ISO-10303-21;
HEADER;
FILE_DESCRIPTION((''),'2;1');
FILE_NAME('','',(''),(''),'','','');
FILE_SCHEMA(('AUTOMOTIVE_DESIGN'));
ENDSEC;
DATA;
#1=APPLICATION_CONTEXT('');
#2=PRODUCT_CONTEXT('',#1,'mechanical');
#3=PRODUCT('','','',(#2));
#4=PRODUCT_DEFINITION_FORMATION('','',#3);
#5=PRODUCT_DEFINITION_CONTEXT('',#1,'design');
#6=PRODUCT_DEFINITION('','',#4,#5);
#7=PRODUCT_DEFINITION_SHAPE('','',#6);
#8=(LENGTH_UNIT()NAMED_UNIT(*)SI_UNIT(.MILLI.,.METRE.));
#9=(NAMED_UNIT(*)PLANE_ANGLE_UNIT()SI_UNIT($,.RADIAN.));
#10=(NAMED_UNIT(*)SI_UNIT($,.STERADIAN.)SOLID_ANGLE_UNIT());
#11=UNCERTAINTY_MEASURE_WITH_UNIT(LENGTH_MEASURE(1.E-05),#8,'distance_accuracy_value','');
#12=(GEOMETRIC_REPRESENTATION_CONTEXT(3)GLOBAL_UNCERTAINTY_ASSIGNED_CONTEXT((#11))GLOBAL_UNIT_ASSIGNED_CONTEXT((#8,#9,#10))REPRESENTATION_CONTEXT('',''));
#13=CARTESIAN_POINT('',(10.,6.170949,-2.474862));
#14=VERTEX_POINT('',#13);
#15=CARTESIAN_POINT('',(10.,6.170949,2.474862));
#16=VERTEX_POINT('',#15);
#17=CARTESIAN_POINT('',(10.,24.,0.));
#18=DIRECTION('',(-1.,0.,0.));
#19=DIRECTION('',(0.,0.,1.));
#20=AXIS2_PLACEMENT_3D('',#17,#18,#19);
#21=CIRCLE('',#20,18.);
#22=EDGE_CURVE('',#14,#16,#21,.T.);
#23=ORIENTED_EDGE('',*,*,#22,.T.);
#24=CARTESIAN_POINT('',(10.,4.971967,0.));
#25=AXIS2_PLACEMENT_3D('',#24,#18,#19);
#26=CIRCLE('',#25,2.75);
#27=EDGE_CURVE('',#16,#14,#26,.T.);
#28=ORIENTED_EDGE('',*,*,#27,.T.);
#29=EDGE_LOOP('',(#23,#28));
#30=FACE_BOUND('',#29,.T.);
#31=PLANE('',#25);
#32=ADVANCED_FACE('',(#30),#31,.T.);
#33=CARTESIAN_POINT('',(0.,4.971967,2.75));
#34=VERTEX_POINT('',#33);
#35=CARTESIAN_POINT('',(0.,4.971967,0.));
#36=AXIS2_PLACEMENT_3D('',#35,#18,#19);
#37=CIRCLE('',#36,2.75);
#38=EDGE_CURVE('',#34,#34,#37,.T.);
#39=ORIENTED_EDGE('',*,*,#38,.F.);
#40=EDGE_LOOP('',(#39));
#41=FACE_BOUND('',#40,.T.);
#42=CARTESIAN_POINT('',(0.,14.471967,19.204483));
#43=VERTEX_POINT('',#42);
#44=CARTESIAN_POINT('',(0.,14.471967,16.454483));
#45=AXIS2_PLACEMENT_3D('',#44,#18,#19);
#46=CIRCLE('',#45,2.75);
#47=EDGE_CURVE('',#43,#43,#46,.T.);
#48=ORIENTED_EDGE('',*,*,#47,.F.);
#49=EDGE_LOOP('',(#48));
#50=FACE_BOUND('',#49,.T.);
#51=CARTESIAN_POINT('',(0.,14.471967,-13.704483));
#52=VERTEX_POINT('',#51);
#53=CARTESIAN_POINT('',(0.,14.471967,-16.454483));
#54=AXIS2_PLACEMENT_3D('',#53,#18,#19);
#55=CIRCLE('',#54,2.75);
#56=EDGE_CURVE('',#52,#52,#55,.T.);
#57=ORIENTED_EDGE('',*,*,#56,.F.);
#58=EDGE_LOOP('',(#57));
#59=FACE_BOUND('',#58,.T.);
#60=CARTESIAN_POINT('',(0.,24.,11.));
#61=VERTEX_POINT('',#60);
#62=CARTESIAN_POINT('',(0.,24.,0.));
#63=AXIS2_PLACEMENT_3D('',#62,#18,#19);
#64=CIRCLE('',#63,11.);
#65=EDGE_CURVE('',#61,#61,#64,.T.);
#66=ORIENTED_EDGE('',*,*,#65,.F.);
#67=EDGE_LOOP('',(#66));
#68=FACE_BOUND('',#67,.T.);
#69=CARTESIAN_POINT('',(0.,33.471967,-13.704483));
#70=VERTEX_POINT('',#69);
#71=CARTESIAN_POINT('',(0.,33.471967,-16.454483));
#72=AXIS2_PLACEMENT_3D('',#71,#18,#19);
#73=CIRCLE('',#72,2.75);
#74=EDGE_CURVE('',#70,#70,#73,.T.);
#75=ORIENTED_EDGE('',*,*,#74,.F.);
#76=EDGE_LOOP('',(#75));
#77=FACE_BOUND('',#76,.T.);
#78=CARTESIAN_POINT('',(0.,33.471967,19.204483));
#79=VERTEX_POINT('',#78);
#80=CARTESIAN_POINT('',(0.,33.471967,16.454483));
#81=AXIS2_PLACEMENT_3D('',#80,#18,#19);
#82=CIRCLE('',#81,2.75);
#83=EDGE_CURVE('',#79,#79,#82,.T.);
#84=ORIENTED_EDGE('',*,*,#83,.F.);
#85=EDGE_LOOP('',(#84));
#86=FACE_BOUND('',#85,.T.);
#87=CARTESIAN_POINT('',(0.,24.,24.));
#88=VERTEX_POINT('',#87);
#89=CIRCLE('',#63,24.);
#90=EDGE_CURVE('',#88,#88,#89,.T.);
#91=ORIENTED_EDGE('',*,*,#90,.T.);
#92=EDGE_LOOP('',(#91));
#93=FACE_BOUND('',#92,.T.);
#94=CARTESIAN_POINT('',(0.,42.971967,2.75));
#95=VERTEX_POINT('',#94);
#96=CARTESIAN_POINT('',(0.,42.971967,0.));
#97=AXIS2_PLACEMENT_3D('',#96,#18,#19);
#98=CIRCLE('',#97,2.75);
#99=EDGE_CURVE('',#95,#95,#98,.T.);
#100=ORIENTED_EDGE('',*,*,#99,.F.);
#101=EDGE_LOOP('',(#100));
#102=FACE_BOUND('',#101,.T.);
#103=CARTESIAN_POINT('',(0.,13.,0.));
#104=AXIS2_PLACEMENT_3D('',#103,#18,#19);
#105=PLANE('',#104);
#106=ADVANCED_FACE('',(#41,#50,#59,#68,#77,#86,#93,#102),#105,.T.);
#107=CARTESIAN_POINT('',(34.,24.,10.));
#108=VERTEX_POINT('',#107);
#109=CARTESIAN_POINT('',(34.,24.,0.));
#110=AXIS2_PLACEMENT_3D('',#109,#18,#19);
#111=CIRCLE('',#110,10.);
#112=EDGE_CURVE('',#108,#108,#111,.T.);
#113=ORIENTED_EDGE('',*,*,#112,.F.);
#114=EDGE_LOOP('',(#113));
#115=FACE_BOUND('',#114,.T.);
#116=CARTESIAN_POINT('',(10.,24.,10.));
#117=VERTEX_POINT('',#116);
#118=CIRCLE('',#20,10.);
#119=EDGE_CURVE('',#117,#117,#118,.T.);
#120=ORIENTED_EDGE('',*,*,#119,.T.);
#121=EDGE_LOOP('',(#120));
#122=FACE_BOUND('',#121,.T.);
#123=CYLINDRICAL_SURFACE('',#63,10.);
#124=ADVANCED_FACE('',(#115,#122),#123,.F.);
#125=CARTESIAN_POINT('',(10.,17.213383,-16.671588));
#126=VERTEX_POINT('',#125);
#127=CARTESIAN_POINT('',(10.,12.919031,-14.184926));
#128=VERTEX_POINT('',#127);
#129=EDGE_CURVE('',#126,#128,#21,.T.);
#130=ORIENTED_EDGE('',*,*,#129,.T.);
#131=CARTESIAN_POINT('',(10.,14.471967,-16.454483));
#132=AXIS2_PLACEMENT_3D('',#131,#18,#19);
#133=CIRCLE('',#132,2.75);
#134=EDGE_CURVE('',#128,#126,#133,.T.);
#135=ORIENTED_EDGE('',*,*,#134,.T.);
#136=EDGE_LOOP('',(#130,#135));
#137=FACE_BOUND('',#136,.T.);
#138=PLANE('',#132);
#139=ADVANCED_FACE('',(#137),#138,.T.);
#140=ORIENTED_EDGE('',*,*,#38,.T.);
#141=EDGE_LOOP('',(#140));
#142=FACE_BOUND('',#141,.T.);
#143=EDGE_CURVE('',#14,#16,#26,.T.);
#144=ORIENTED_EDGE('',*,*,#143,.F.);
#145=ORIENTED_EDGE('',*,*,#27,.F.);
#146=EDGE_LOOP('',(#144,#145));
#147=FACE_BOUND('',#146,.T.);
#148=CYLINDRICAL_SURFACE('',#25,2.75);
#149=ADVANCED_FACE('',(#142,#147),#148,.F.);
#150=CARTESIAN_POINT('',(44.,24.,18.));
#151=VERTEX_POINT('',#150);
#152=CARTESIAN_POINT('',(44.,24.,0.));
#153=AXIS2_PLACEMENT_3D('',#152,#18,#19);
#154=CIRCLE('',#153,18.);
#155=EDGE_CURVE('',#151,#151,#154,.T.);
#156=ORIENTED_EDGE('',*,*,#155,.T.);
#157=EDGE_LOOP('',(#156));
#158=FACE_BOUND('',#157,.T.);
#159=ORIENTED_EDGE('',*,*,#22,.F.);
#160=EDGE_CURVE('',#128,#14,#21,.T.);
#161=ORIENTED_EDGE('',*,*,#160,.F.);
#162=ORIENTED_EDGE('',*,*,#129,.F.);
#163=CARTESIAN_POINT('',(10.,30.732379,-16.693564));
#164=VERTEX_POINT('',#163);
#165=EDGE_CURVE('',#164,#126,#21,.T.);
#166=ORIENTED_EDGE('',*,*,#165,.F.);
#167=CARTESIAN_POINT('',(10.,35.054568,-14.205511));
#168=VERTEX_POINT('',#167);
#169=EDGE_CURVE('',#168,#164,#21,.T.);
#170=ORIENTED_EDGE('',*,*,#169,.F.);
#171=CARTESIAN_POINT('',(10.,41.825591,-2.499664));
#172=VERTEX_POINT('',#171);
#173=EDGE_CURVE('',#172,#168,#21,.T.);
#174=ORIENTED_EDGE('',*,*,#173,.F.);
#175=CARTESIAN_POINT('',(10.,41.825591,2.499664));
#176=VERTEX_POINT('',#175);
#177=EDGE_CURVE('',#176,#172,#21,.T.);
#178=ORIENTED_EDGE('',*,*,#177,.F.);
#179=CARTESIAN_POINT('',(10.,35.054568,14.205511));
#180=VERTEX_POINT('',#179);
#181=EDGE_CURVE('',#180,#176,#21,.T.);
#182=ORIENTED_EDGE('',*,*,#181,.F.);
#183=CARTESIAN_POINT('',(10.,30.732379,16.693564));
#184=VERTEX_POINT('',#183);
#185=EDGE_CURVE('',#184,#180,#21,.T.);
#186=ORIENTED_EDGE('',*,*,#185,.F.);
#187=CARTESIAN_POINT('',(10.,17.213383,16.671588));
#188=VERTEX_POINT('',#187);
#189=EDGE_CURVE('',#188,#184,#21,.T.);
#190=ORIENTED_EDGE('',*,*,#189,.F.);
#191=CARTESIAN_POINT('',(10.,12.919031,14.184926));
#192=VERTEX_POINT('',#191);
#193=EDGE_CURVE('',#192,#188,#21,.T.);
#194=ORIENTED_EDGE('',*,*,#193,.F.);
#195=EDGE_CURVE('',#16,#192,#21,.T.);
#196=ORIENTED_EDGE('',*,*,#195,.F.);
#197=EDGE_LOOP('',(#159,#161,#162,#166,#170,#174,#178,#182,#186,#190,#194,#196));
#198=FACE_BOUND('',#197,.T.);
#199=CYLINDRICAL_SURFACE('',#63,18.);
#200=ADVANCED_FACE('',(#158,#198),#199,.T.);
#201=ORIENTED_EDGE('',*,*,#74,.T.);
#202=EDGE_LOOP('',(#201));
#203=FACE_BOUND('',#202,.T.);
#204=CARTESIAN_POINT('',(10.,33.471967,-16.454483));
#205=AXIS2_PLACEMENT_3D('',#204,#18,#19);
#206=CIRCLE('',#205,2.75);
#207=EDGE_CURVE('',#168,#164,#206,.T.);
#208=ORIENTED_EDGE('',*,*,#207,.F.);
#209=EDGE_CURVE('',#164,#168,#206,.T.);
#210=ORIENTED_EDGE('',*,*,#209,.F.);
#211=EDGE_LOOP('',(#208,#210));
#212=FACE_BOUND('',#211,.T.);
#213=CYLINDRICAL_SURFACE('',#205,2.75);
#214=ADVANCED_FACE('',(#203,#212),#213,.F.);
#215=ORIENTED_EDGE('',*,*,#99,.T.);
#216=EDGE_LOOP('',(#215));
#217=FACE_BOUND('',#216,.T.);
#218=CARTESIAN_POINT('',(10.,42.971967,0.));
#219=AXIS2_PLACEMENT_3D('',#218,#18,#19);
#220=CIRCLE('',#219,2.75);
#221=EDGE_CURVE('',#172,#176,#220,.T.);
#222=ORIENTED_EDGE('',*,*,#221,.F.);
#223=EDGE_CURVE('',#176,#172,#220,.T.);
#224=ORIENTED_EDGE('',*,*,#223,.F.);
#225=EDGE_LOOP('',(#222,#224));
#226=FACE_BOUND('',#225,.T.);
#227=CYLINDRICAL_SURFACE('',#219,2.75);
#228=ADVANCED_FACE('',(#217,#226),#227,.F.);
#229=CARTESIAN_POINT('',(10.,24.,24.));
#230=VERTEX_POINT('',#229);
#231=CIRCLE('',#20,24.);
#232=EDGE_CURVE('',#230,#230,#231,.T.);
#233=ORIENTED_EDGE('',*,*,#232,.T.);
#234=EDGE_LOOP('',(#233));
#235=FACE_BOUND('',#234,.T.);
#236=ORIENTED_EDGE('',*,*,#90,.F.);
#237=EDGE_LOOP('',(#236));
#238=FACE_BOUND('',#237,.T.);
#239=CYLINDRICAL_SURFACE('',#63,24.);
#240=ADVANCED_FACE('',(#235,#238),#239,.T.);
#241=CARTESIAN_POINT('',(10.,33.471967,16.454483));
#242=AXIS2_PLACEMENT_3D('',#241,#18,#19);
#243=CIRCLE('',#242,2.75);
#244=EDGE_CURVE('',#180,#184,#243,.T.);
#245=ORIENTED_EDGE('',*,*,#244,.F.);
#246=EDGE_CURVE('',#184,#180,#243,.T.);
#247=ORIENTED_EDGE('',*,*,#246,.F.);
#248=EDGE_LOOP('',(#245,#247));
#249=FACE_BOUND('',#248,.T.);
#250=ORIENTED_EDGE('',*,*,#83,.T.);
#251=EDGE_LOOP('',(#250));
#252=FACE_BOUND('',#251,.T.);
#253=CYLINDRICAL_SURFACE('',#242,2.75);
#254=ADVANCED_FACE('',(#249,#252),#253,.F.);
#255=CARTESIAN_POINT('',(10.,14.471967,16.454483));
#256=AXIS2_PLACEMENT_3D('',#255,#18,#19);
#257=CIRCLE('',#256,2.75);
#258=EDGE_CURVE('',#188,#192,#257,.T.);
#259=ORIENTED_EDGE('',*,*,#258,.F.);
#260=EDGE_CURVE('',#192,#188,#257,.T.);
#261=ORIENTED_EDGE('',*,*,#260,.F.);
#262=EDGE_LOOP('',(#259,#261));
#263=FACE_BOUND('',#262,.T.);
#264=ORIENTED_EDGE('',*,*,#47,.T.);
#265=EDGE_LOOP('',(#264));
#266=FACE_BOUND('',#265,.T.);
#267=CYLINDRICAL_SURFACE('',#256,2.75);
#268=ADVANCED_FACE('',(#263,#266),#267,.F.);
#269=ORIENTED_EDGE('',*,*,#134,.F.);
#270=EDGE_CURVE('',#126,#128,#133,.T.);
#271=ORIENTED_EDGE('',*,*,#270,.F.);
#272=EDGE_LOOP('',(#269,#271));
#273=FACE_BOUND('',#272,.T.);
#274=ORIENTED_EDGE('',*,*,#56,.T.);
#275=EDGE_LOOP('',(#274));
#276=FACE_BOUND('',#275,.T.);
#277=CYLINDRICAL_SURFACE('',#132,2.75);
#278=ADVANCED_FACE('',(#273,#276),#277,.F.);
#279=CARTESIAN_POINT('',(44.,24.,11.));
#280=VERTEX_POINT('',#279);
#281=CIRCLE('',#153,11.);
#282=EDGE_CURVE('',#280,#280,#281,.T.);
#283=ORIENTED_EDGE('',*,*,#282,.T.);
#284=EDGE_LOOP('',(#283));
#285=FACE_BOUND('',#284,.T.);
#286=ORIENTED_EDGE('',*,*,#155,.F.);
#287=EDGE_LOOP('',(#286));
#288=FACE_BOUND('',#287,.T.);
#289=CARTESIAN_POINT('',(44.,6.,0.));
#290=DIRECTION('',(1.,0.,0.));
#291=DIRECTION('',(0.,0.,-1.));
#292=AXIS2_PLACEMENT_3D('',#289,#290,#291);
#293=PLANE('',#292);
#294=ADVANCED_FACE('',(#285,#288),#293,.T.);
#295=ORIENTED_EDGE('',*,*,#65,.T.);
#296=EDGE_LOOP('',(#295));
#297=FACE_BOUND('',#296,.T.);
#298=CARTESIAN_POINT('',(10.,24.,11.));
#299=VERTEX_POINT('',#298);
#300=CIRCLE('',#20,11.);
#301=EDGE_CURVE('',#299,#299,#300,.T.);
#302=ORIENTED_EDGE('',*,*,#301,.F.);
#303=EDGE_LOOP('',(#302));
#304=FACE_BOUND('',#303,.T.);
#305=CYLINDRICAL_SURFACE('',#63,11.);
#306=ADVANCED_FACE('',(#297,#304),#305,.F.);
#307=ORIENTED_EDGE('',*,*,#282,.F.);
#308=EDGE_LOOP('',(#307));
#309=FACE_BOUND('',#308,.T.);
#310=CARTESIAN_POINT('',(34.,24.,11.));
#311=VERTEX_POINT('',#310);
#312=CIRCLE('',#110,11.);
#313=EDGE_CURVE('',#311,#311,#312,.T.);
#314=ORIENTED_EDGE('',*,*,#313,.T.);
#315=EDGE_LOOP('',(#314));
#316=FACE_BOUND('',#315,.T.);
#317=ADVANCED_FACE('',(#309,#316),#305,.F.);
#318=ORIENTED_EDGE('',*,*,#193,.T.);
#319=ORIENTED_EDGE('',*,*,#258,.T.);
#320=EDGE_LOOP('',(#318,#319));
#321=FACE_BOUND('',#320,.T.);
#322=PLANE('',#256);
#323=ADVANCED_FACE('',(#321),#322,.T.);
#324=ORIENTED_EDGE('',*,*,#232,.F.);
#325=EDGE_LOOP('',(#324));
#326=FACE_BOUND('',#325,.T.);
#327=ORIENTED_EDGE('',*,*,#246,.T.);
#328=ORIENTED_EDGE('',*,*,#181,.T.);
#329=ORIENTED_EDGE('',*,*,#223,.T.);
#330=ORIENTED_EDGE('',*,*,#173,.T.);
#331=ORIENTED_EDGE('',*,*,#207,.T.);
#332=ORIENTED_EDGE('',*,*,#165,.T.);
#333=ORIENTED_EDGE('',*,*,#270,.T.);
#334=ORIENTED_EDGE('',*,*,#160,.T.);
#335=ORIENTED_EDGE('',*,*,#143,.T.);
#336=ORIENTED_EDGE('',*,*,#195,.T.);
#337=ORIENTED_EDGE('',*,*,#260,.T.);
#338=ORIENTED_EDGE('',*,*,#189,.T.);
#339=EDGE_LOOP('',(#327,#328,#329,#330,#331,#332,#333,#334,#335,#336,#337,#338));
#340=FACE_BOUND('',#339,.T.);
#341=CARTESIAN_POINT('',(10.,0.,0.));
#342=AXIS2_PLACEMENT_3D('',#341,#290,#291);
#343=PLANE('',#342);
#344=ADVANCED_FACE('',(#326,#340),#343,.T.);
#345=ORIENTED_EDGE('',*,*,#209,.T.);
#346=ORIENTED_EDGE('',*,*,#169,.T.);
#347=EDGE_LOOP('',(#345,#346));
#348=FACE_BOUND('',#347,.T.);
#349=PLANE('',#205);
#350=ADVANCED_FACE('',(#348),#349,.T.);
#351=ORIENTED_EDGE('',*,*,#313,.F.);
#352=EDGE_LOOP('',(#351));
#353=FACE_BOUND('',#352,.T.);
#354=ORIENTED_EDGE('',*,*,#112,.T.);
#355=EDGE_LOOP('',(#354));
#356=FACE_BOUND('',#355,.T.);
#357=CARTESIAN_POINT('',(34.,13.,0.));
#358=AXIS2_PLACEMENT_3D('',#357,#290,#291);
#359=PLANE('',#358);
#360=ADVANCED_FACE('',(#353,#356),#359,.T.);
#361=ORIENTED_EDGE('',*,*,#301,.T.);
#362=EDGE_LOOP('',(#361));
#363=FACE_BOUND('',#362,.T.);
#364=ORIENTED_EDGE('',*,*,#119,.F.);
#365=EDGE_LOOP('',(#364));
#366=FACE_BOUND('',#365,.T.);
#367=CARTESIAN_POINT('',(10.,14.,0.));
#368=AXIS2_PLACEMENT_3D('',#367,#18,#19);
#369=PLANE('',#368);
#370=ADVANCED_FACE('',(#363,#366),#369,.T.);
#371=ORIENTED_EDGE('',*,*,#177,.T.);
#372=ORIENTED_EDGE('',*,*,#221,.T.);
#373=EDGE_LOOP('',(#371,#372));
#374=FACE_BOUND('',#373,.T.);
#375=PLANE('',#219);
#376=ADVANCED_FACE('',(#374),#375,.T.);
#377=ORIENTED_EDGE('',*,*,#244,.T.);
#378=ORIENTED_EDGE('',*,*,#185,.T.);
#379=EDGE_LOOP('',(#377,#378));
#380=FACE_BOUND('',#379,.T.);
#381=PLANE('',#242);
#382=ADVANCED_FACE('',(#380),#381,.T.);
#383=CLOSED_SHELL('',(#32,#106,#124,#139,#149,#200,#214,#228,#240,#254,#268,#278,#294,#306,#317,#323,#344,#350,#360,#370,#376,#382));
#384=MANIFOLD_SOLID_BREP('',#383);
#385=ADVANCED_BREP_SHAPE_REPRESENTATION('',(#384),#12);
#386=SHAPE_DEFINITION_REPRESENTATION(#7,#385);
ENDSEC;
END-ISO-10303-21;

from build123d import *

# Parameters (mm, degrees)
SKETCH2_R          = 2.75
CUT_EXTRUDE1_DEPTH = 10


with BuildPart() as part:
    # Sketch1 → Revolve1 (revolve)
    with BuildSketch(Plane.XY, mode=Mode.PRIVATE) as revolve1_sk:
        Polygon((10, 0), (10, 6), (44, 6), (44, 13), (34, 13), (34, 14), (10, 14), (10, 13), (0, 13), (0, 0), align=None)
    revolve(revolve1_sk.sketch.rotate(Axis((0, 24, 0), (1, 0, 0)), 270), axis=Axis((0, 24, 0), (1, 0, 0)))

    # Sketch2 → Cut-Extrude1 (cut)
    with BuildSketch(Plane.ZY):
        with Locations((0, 42.971966769)):
            Circle(SKETCH2_R)
        with Locations((16.454482672, 33.471966769)):
            Circle(SKETCH2_R)
        with Locations((16.454482672, 14.471966769)):
            Circle(SKETCH2_R)
        with Locations((0, 4.971966769)):
            Circle(SKETCH2_R)
        with Locations((-16.454482672, 14.471966769)):
            Circle(SKETCH2_R)
        with Locations((-16.454482672, 33.471966769)):
            Circle(SKETCH2_R)
    extrude(amount=-CUT_EXTRUDE1_DEPTH, mode=Mode.SUBTRACT)


solid = part.part
